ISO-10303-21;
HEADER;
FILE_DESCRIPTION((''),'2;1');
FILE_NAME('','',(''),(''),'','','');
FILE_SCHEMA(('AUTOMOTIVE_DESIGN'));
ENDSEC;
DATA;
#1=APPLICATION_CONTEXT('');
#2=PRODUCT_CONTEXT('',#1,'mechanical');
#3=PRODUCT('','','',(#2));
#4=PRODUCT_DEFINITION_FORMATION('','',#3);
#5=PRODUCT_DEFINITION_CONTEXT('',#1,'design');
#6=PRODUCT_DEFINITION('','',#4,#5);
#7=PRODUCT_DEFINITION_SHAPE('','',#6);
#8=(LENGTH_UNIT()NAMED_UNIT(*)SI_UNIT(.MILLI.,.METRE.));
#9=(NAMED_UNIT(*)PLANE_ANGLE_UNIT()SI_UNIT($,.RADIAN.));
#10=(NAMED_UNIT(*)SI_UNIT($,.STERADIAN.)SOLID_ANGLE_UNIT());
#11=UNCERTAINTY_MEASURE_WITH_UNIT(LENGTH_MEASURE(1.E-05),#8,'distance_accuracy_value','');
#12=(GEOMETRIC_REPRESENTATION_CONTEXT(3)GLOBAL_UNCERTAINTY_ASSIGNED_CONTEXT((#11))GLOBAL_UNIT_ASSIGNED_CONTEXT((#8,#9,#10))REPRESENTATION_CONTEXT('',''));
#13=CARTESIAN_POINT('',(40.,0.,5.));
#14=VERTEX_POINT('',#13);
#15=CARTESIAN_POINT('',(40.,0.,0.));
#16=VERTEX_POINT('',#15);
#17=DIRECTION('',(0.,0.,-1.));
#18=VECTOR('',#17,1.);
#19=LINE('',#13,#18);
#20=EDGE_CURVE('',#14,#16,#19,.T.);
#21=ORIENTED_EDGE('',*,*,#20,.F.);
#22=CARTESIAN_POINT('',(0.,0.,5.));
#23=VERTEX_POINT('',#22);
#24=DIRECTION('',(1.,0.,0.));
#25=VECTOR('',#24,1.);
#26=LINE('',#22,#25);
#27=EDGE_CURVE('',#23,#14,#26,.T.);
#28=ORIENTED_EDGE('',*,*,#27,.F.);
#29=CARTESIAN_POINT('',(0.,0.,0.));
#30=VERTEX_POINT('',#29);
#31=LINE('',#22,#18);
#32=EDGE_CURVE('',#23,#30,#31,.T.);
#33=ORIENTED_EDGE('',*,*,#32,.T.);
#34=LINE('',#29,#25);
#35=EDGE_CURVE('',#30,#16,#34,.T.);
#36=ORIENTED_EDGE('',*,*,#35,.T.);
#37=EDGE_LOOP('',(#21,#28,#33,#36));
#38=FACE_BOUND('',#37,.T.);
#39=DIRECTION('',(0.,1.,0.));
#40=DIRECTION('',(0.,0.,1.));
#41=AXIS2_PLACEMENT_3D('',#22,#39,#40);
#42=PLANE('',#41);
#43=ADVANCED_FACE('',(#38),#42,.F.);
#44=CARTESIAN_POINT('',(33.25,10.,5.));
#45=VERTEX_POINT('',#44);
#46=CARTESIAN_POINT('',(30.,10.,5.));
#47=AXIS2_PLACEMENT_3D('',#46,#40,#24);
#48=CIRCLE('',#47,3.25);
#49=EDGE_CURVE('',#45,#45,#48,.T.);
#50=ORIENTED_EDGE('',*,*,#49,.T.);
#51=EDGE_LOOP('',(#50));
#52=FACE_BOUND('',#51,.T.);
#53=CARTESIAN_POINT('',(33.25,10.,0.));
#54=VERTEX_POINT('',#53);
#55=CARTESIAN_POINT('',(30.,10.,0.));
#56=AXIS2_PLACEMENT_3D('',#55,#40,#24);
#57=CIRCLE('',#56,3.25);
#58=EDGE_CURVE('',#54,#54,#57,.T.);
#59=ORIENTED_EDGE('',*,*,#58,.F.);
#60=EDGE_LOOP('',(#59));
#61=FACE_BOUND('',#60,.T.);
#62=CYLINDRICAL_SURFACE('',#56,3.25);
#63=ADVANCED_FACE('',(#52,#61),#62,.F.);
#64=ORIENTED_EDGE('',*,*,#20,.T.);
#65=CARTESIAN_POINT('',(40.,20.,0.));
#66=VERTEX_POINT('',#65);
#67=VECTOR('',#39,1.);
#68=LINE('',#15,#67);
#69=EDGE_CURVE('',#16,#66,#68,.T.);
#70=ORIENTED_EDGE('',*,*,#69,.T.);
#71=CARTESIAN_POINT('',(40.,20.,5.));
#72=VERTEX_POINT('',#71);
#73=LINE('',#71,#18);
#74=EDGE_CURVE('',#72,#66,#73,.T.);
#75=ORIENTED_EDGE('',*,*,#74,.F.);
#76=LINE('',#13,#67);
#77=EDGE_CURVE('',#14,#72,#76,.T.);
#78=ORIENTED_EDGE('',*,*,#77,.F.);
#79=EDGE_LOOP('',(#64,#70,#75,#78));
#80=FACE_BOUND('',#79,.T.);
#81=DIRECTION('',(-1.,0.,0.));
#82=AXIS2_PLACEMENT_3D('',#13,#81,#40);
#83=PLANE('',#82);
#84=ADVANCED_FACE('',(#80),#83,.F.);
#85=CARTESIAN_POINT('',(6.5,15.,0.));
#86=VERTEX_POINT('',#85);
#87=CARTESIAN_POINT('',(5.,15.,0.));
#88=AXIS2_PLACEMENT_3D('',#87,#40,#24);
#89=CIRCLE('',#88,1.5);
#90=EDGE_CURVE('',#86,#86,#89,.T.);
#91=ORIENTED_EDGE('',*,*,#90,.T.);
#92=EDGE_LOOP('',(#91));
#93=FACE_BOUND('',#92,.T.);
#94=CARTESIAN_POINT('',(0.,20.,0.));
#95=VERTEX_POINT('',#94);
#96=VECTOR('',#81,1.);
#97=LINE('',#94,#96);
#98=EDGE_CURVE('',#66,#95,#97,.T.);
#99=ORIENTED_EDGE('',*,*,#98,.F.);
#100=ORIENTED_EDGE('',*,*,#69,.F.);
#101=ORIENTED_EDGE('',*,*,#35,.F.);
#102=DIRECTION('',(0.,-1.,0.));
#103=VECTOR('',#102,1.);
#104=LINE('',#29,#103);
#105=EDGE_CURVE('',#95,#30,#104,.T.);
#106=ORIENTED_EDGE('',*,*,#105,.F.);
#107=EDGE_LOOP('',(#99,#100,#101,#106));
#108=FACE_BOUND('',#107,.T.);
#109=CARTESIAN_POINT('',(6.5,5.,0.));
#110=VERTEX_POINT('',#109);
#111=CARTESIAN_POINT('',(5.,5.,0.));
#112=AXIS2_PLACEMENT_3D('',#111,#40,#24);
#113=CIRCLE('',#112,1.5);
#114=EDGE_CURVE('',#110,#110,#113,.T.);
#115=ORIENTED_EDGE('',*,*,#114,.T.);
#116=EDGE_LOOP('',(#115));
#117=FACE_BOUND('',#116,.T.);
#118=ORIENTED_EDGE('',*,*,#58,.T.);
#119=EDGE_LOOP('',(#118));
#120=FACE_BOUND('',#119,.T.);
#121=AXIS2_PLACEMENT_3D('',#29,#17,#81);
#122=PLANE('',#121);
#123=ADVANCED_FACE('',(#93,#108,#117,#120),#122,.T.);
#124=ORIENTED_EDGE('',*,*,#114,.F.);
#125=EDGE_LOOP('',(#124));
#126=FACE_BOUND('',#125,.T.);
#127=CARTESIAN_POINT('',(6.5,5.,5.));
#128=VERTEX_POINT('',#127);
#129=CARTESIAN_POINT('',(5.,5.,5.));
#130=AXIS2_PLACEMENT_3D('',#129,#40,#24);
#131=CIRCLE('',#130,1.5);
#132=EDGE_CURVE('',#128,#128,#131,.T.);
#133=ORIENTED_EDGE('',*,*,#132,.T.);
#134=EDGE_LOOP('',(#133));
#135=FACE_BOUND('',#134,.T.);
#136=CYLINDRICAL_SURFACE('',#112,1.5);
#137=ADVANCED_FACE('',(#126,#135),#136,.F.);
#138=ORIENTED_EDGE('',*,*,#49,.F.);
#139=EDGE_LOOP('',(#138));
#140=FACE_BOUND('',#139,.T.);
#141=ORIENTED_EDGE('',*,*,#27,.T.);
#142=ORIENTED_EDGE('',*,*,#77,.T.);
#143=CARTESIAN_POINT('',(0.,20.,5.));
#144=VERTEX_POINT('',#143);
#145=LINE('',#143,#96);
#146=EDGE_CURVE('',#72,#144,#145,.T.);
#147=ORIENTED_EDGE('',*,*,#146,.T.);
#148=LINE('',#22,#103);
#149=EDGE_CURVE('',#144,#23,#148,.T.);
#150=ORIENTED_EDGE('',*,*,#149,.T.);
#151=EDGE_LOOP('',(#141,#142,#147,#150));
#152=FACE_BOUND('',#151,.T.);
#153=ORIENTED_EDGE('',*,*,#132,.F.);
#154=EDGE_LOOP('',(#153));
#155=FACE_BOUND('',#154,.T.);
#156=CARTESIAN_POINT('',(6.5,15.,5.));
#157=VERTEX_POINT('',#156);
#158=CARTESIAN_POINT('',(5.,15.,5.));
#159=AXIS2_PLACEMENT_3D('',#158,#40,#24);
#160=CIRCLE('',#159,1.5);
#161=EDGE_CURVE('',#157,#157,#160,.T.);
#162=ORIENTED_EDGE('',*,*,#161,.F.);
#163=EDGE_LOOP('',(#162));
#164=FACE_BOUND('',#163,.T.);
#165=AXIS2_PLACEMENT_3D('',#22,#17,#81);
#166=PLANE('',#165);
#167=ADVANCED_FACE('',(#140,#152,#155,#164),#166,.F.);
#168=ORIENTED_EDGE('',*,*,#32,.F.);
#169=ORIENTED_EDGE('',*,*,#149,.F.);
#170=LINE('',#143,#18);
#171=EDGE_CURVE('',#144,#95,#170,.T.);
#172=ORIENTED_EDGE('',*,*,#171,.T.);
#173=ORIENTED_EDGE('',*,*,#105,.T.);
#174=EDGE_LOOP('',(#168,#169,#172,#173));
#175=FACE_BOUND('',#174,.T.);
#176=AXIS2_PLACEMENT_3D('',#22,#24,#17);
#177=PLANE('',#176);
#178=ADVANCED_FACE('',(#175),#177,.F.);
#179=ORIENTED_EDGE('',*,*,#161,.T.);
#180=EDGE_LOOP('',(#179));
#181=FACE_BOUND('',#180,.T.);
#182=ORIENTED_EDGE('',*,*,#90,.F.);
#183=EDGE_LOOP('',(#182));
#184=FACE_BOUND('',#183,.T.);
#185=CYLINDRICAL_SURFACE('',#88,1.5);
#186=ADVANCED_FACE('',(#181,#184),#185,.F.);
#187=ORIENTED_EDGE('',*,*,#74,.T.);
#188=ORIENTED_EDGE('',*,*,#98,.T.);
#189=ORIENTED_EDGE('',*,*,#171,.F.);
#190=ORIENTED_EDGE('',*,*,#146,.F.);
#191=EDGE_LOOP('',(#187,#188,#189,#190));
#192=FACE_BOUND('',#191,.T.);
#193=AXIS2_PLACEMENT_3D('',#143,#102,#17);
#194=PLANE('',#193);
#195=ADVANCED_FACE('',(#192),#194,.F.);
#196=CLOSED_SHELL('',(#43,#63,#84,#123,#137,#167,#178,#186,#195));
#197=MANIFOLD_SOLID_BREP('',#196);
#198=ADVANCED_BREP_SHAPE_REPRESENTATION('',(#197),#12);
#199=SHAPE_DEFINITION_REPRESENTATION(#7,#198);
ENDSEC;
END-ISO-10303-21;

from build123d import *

# Parameters (mm, degrees)
SKETCH1_W           = 40
SKETCH1_H           = 20
BOSS_EXTRUDE1_DEPTH = 5
SKETCH2_R           = 3.25
SKETCH2_R_2         = 1.5
CUT_EXTRUDE1_DEPTH  = 5


with BuildPart() as part:
    # Sketch1 → Boss-Extrude1 (new body)
    with BuildSketch(Plane.XY):
        with Locations((20, 10)):
            Rectangle(SKETCH1_W, SKETCH1_H)
    extrude(amount=BOSS_EXTRUDE1_DEPTH)

    # Sketch2 → Cut-Extrude1 (cut)
    with BuildSketch(Plane.XY.offset(5)):
        with Locations((30, 10)):
            Circle(SKETCH2_R)
        with Locations((5, 15)):
            Circle(SKETCH2_R_2)
        with Locations((5, 5)):
            Circle(SKETCH2_R_2)
    extrude(amount=-CUT_EXTRUDE1_DEPTH, mode=Mode.SUBTRACT)


solid = part.part
